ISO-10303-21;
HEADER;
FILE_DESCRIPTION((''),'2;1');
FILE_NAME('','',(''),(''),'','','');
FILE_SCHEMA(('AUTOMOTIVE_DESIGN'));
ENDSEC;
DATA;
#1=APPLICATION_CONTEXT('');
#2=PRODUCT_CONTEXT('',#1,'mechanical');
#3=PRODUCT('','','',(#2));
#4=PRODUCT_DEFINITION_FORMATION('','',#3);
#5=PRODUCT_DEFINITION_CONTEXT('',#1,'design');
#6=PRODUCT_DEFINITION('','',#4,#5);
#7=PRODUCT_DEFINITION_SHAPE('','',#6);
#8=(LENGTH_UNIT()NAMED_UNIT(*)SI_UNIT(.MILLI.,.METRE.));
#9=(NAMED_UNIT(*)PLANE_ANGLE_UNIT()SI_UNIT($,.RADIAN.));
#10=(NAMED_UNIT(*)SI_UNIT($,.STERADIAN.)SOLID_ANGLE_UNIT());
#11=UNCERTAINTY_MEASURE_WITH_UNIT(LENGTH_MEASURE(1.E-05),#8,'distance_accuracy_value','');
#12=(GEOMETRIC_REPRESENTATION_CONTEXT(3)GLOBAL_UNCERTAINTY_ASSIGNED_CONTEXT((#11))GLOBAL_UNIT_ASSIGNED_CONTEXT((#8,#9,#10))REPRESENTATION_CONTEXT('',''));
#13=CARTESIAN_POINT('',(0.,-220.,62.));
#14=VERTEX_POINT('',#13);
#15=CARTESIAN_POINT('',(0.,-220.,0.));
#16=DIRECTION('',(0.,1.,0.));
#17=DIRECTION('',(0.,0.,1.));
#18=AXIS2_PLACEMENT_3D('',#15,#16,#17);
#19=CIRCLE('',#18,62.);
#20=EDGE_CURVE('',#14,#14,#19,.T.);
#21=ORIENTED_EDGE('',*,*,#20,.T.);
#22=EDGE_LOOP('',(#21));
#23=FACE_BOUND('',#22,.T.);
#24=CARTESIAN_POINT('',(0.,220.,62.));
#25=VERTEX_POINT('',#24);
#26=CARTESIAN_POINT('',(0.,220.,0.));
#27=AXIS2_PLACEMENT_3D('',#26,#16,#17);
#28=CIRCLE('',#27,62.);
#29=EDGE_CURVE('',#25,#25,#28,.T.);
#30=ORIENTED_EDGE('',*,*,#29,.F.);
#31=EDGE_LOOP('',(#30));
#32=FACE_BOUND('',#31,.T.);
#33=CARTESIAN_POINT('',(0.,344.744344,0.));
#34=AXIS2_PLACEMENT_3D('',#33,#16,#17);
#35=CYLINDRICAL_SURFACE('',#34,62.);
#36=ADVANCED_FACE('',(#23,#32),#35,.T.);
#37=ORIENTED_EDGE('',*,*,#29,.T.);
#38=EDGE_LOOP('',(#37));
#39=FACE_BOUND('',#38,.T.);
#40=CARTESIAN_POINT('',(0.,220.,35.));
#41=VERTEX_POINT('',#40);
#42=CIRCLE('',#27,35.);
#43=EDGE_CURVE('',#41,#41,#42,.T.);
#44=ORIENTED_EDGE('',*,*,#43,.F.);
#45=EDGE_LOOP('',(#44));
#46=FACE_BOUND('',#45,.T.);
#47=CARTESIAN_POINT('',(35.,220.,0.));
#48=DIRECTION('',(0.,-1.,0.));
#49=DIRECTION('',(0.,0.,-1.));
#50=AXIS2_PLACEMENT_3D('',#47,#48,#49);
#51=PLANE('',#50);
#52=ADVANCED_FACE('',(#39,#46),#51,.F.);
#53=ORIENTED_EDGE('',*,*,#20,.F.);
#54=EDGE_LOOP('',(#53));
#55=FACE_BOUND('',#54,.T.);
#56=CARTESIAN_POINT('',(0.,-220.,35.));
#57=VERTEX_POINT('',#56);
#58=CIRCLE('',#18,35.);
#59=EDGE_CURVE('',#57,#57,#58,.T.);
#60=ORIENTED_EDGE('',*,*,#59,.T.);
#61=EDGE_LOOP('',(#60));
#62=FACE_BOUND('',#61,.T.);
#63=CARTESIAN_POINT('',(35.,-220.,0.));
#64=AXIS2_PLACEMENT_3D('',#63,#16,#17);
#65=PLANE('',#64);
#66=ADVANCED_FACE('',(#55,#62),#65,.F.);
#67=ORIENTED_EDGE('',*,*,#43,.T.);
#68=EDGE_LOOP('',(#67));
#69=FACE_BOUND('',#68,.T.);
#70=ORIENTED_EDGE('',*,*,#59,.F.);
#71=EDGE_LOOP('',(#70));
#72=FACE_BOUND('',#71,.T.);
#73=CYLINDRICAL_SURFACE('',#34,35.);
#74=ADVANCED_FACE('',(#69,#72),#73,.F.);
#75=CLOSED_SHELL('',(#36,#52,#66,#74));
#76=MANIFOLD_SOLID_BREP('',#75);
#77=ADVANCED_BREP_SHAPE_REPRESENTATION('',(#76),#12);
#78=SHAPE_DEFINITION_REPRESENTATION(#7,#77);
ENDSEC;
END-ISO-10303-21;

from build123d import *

# Parameters (mm, degrees)
SZKIC1_W = 27
SZKIC1_H = 440


with BuildPart() as part:
    # Szkic1 → Obrót1 (revolve)
    with BuildSketch(Plane.XY, mode=Mode.PRIVATE) as obr_t1_sk:
        with Locations((48.5, 0)):
            Rectangle(SZKIC1_W, SZKIC1_H)
    revolve(obr_t1_sk.sketch.rotate(Axis((0, 344.744344029, 0), (0, -1, 0)), 90), axis=Axis((0, 344.744344029, 0), (0, -1, 0)))


solid = part.part
